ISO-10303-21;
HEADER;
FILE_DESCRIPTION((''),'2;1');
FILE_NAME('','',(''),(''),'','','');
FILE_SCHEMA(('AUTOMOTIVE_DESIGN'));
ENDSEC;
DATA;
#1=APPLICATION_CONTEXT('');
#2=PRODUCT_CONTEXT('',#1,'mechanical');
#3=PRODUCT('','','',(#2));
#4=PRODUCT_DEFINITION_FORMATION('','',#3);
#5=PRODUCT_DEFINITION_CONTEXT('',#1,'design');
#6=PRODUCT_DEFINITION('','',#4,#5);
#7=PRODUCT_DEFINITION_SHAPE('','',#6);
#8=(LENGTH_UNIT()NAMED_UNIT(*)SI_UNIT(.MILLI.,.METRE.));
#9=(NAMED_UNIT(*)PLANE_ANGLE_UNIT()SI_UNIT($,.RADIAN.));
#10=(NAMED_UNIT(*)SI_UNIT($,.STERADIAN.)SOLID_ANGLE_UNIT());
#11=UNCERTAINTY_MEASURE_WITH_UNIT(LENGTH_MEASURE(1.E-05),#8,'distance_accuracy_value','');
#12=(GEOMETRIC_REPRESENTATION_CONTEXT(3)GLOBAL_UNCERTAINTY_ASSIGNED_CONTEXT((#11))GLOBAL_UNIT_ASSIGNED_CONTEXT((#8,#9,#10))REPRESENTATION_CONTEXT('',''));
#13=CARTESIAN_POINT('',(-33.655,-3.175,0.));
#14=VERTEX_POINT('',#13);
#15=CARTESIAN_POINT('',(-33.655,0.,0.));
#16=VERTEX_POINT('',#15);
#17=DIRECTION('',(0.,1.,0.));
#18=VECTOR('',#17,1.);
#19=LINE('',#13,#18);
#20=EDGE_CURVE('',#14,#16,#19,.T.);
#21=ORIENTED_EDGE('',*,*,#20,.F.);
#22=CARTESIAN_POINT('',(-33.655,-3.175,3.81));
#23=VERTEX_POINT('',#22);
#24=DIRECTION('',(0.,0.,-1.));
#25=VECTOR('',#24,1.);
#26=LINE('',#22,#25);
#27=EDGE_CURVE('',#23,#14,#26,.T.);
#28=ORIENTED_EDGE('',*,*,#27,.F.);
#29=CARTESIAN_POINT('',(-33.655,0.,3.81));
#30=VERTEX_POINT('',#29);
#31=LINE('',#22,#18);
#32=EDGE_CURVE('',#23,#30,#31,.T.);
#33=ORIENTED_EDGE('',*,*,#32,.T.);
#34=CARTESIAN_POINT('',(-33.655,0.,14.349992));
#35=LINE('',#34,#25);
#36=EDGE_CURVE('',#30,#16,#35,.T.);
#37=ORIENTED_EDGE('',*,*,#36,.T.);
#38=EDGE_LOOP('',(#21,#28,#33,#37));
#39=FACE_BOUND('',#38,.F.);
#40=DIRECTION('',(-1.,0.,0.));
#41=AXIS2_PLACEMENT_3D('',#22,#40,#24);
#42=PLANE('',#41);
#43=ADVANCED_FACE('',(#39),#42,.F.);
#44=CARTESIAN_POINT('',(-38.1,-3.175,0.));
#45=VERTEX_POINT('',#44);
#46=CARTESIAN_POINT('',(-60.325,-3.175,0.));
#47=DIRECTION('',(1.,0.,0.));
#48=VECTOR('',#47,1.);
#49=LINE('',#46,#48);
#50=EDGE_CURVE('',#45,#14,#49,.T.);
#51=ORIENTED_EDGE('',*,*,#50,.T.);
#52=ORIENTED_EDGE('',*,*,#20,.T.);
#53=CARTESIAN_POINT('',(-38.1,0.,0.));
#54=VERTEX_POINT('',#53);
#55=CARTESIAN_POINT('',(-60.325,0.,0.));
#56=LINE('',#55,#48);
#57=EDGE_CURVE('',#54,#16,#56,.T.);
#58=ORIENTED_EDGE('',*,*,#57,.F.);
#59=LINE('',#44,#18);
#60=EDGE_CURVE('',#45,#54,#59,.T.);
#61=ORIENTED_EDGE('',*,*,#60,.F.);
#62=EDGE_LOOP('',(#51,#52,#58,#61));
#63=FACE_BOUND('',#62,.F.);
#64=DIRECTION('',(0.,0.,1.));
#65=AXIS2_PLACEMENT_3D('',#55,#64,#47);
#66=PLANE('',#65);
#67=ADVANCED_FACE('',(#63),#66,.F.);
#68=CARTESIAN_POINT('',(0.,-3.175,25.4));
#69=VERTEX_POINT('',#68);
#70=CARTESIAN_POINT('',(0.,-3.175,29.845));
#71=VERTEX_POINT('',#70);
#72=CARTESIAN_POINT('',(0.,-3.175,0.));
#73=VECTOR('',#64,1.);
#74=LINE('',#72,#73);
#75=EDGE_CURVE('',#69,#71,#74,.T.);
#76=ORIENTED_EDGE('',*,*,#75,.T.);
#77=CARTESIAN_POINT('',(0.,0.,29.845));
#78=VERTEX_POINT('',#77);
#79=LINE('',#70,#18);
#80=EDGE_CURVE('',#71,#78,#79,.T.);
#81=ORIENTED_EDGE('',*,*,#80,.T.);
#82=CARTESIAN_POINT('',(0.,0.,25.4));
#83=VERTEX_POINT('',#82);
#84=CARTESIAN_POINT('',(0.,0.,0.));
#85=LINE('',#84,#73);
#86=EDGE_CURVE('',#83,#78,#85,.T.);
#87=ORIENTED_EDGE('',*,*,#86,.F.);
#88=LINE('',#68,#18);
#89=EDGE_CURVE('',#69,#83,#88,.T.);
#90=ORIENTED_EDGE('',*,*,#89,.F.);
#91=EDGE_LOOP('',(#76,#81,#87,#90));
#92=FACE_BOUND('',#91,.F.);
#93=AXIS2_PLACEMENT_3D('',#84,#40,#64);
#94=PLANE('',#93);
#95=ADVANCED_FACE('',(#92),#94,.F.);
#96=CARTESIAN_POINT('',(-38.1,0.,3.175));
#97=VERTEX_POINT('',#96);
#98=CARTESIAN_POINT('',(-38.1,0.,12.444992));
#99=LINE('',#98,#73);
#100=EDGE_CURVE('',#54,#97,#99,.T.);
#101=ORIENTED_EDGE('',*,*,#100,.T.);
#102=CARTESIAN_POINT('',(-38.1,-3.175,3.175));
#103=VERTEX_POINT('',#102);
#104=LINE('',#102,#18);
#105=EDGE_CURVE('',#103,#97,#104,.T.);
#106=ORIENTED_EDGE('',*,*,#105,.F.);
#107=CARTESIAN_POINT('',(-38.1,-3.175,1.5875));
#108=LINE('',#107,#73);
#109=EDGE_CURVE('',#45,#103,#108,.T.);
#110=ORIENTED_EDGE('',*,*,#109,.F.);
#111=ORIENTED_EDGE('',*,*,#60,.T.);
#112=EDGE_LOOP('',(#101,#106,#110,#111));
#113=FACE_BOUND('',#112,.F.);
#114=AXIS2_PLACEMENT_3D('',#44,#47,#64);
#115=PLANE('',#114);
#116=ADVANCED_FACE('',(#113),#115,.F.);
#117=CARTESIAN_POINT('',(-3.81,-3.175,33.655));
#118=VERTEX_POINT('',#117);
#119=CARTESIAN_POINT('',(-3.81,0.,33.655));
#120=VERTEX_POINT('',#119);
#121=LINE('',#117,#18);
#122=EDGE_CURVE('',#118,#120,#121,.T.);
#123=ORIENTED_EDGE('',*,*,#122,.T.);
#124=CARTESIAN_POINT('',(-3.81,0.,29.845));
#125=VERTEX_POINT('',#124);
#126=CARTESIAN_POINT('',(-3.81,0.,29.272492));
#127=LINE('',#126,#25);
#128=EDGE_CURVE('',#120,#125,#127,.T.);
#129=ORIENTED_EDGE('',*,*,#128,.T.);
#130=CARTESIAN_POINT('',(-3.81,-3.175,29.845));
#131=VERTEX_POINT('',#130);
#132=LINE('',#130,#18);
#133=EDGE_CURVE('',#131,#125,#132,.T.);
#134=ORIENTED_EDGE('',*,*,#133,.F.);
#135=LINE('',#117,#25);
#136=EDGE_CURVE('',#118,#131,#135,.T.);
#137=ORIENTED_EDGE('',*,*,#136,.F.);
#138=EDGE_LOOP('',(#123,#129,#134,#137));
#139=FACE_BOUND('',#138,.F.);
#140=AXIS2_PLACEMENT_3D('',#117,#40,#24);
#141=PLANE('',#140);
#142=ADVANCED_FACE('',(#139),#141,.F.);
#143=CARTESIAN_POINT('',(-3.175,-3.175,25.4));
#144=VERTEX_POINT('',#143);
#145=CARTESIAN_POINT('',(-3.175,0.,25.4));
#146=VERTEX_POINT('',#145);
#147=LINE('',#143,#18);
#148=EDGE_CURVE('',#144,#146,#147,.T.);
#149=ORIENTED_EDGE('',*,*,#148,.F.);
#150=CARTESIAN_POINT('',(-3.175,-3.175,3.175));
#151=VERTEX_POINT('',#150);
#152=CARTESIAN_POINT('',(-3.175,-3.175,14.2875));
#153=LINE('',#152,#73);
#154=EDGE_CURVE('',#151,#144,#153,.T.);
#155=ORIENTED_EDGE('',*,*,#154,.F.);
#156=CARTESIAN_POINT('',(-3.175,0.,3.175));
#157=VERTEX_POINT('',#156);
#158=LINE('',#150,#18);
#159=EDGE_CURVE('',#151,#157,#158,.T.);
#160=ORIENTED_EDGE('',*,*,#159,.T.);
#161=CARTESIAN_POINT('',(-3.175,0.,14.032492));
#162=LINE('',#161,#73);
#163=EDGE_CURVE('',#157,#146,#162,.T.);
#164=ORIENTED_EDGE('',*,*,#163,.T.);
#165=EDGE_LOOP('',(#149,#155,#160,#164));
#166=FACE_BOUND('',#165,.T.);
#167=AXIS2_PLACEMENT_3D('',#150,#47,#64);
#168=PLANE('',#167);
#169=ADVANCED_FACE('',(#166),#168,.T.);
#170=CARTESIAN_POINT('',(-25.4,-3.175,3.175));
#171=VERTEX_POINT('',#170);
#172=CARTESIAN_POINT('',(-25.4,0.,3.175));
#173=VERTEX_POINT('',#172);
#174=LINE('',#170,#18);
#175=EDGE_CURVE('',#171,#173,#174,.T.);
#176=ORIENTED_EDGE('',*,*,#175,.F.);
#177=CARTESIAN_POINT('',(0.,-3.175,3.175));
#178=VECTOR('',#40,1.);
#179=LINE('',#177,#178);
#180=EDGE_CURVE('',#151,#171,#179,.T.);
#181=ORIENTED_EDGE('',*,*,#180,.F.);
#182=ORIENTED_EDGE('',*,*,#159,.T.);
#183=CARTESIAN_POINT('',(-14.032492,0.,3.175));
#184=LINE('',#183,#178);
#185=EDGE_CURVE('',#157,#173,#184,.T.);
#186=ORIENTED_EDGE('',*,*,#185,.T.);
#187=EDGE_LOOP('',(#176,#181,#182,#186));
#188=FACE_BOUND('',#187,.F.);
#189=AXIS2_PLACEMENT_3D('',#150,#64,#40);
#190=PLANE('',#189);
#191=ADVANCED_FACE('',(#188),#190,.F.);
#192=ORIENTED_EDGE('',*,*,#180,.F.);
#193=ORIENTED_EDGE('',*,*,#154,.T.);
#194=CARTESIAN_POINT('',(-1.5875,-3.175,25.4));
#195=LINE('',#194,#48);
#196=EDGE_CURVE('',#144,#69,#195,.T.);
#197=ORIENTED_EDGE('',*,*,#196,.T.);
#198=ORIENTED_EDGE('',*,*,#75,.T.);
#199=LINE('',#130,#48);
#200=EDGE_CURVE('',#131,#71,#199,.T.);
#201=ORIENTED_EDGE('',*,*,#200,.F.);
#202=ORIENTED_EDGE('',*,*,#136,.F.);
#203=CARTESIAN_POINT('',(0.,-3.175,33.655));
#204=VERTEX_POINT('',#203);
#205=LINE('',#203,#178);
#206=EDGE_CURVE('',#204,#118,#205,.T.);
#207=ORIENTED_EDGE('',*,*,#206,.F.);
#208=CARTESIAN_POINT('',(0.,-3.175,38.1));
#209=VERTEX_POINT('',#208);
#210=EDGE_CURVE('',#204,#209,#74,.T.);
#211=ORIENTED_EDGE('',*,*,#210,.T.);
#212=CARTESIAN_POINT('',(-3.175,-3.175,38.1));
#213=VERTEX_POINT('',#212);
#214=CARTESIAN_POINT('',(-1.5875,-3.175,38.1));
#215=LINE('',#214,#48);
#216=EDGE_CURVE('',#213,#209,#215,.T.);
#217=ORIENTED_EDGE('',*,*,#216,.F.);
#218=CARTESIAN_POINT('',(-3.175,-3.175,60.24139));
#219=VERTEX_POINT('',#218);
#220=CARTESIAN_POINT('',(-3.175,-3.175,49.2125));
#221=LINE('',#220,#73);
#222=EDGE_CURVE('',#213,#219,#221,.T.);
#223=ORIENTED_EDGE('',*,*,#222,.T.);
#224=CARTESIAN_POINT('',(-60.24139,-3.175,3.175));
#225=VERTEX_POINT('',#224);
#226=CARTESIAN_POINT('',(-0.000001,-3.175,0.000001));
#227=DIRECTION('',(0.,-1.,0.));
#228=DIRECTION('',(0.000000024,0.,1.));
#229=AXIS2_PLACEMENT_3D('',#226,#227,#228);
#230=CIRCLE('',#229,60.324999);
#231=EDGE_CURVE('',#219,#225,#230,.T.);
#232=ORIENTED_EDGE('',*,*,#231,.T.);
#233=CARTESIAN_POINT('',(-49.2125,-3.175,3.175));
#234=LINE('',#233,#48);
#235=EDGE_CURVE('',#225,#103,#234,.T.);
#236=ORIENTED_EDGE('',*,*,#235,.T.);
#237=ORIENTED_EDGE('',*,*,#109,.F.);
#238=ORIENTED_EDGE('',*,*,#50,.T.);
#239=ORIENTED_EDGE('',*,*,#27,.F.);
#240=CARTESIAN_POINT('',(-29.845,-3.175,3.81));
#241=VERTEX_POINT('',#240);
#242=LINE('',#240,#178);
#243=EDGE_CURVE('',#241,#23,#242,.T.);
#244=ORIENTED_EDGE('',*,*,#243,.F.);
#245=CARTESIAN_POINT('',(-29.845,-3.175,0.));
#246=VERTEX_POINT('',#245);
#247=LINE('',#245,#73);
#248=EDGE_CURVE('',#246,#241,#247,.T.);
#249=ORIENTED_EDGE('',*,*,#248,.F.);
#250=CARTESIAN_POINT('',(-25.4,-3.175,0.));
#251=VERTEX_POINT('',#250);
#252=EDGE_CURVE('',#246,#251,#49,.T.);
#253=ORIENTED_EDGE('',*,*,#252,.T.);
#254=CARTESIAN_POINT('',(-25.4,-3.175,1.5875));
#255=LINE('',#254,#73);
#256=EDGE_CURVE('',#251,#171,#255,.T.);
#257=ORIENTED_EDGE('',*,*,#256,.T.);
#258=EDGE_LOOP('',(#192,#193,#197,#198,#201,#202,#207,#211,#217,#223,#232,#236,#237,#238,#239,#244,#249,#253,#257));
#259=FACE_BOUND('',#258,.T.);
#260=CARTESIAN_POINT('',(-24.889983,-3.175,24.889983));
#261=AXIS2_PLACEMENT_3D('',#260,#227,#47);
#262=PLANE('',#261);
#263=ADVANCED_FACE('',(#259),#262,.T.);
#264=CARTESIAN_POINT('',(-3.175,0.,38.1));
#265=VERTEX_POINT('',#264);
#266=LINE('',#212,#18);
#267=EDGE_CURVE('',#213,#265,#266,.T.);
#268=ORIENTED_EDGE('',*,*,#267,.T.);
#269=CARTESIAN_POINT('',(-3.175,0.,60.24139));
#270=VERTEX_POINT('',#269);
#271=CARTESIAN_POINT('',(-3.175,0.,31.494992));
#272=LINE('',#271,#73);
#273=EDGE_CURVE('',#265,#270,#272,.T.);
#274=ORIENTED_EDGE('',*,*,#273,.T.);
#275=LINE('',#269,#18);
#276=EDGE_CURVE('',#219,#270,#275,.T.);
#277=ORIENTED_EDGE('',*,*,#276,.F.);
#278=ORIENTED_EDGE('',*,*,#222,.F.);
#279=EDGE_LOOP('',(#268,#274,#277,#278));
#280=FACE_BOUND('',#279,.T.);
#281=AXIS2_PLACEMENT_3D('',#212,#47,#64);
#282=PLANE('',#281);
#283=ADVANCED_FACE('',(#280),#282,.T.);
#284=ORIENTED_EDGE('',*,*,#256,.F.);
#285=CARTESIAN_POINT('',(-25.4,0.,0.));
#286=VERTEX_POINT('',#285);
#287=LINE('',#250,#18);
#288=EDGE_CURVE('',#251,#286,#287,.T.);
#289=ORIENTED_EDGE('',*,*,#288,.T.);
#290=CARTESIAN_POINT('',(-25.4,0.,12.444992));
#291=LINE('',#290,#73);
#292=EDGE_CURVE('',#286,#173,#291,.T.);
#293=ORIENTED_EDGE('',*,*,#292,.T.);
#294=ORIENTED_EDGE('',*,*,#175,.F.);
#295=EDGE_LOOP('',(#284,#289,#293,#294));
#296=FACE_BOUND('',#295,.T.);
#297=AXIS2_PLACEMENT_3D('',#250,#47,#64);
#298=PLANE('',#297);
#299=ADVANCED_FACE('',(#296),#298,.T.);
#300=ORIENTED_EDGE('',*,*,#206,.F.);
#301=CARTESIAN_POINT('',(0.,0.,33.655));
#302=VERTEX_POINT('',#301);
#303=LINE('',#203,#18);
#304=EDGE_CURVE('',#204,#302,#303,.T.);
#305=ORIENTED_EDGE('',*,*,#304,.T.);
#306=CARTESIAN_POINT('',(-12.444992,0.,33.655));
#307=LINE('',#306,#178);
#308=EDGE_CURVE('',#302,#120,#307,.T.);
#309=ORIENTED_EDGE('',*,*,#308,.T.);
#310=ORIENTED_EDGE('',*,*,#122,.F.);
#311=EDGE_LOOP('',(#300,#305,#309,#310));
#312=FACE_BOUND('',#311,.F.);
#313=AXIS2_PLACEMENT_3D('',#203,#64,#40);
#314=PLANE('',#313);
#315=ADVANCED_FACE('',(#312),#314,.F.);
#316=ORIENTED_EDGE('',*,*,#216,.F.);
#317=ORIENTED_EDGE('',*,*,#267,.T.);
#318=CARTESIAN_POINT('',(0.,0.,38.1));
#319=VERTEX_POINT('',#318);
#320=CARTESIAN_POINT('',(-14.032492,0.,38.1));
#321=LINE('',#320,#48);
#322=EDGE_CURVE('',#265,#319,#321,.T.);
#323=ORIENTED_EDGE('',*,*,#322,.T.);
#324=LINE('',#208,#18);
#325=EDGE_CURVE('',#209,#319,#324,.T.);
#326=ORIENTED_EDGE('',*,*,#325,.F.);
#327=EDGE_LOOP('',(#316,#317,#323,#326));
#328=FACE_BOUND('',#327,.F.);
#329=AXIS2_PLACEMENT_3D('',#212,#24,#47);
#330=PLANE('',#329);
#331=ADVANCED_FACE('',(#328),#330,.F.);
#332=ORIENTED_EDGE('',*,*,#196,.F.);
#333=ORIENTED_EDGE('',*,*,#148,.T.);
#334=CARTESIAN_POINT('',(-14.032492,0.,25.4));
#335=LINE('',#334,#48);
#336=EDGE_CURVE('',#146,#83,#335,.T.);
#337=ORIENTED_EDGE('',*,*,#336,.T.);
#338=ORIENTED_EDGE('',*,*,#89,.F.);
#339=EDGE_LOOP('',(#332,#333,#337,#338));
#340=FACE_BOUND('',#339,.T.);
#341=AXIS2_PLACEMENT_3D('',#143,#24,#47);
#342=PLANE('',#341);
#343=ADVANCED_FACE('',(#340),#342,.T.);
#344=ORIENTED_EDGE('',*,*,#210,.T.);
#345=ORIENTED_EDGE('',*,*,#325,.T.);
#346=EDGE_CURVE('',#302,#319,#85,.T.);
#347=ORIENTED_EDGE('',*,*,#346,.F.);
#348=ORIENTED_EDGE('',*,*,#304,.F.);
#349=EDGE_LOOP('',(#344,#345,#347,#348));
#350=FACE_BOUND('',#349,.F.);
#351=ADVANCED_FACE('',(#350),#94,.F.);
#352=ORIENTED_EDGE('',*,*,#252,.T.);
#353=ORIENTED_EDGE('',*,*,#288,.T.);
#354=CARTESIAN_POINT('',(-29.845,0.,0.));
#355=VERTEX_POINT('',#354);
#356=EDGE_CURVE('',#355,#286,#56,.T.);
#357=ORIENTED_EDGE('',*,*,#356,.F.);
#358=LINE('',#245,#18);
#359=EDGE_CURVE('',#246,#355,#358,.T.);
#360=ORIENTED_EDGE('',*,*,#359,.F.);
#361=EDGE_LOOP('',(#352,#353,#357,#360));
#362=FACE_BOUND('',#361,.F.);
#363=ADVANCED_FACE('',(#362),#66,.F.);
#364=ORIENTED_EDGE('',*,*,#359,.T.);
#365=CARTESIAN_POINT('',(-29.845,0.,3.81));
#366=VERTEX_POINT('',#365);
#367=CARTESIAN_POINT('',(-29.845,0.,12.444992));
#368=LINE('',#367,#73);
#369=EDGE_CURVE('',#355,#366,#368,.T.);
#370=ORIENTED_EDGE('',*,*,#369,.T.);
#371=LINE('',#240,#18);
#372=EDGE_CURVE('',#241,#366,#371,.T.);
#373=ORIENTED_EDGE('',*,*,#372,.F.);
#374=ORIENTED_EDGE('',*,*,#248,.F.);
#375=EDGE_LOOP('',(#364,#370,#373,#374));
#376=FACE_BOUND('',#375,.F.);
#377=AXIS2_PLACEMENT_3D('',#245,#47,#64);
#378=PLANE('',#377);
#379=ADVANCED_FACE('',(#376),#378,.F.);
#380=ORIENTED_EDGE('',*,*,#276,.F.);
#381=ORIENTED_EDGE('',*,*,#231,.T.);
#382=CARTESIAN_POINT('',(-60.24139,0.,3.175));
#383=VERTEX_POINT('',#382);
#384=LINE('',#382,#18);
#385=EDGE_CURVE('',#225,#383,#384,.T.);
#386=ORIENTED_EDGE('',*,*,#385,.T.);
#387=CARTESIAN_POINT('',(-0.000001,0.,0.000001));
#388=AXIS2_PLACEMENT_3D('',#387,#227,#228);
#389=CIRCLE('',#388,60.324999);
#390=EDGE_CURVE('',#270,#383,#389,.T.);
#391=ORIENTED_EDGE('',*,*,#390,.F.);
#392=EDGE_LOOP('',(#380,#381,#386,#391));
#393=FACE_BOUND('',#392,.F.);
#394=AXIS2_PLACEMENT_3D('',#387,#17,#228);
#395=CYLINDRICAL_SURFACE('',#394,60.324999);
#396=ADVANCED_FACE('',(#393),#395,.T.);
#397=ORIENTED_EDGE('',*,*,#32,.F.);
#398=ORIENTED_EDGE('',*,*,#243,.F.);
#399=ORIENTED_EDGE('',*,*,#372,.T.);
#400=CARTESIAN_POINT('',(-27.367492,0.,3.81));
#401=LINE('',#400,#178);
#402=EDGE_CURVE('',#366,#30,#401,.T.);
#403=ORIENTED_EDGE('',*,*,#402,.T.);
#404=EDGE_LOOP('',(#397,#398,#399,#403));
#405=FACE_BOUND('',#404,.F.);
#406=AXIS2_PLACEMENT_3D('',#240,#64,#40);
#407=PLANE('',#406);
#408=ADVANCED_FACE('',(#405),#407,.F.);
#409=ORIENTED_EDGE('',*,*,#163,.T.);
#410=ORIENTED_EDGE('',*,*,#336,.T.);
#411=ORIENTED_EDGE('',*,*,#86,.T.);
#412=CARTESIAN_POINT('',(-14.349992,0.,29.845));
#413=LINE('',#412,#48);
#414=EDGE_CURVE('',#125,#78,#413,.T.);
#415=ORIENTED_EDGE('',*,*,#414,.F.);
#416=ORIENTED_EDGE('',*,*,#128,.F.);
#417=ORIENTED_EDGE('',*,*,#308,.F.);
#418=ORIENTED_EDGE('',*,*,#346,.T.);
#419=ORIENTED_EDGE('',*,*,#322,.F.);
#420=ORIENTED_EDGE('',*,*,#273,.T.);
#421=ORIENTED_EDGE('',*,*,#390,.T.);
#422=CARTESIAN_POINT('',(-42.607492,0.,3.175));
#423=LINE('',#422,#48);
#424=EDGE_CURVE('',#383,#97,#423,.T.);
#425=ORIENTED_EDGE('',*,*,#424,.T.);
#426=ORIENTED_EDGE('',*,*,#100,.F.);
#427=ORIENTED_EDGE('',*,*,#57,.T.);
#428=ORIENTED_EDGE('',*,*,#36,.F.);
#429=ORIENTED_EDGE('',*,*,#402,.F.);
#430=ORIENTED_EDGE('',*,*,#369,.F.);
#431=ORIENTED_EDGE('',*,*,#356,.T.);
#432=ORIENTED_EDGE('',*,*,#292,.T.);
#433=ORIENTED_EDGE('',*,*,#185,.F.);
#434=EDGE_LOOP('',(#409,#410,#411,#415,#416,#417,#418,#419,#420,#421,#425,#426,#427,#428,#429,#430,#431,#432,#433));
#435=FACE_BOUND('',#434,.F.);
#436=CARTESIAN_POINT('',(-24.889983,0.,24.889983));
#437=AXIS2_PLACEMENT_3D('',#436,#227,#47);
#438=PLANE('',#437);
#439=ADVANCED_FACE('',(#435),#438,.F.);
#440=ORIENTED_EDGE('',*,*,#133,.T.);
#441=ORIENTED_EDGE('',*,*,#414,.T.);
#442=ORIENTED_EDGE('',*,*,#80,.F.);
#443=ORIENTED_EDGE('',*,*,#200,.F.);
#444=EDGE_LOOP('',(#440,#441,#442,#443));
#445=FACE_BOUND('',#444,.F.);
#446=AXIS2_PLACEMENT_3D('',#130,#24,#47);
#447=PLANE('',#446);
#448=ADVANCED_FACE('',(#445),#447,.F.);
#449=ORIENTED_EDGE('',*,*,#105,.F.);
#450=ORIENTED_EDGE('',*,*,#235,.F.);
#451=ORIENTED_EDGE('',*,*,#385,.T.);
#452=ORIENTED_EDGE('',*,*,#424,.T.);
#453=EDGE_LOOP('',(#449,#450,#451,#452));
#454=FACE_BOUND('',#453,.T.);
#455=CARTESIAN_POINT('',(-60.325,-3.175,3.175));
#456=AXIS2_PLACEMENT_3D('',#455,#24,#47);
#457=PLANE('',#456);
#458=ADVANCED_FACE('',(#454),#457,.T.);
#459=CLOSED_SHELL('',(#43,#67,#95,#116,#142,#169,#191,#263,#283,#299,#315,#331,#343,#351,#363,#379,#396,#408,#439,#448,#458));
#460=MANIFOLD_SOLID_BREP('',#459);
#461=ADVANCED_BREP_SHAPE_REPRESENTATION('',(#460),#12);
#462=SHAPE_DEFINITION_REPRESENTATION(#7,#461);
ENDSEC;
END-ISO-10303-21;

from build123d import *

# Parameters (mm, degrees)
F1_DEPTH = 3.175
F2_W     = 22.225
F2_H     = 3.175
F2_W_2   = 3.175
F2_H_2   = 22.225
F3_DEPTH = 25.4


with BuildPart() as f1:
    # F0 (on Front) → F1 (new body)
    with BuildSketch(Plane.XZ):
        with BuildLine():
            Line((-60.325, 0), (0, 0))
            Line((0, 0), (0, 60.325))
            ThreePointArc((0, 60.325), (-42.656217, 42.656217), (-60.325, 0))
        make_face()
    extrude(amount=F1_DEPTH)

    # F2 (on face) → F3 (cut)
    with BuildSketch(Plane.XZ.offset(3.175)):
        with Locations((-49.2125, 1.5875)):
            Rectangle(F2_W, F2_H)
        with Locations((-1.5875, 1.5875)):
            Rectangle(F2_W_2, F2_H)
        with Locations((-14.2875, 1.5875)):
            Rectangle(F2_W, F2_H)
        with Locations((-1.5875, 14.2875)):
            Rectangle(F2_W_2, F2_H_2)
        with Locations((-1.5875, 49.2125)):
            Rectangle(F2_W_2, F2_H_2)
        Polygon((0, 29.845), (0, 31.75), (0, 33.655), (-3.81, 33.655), (-3.81, 31.75), (-3.81, 29.845), align=None)
        Polygon((-33.655, 0), (-31.75, 0), (-29.845, 0), (-29.845, 3.81), (-31.75, 3.81), (-33.655, 3.81), align=None)
    extrude(amount=-F3_DEPTH, mode=Mode.SUBTRACT)


solid = f1.part
